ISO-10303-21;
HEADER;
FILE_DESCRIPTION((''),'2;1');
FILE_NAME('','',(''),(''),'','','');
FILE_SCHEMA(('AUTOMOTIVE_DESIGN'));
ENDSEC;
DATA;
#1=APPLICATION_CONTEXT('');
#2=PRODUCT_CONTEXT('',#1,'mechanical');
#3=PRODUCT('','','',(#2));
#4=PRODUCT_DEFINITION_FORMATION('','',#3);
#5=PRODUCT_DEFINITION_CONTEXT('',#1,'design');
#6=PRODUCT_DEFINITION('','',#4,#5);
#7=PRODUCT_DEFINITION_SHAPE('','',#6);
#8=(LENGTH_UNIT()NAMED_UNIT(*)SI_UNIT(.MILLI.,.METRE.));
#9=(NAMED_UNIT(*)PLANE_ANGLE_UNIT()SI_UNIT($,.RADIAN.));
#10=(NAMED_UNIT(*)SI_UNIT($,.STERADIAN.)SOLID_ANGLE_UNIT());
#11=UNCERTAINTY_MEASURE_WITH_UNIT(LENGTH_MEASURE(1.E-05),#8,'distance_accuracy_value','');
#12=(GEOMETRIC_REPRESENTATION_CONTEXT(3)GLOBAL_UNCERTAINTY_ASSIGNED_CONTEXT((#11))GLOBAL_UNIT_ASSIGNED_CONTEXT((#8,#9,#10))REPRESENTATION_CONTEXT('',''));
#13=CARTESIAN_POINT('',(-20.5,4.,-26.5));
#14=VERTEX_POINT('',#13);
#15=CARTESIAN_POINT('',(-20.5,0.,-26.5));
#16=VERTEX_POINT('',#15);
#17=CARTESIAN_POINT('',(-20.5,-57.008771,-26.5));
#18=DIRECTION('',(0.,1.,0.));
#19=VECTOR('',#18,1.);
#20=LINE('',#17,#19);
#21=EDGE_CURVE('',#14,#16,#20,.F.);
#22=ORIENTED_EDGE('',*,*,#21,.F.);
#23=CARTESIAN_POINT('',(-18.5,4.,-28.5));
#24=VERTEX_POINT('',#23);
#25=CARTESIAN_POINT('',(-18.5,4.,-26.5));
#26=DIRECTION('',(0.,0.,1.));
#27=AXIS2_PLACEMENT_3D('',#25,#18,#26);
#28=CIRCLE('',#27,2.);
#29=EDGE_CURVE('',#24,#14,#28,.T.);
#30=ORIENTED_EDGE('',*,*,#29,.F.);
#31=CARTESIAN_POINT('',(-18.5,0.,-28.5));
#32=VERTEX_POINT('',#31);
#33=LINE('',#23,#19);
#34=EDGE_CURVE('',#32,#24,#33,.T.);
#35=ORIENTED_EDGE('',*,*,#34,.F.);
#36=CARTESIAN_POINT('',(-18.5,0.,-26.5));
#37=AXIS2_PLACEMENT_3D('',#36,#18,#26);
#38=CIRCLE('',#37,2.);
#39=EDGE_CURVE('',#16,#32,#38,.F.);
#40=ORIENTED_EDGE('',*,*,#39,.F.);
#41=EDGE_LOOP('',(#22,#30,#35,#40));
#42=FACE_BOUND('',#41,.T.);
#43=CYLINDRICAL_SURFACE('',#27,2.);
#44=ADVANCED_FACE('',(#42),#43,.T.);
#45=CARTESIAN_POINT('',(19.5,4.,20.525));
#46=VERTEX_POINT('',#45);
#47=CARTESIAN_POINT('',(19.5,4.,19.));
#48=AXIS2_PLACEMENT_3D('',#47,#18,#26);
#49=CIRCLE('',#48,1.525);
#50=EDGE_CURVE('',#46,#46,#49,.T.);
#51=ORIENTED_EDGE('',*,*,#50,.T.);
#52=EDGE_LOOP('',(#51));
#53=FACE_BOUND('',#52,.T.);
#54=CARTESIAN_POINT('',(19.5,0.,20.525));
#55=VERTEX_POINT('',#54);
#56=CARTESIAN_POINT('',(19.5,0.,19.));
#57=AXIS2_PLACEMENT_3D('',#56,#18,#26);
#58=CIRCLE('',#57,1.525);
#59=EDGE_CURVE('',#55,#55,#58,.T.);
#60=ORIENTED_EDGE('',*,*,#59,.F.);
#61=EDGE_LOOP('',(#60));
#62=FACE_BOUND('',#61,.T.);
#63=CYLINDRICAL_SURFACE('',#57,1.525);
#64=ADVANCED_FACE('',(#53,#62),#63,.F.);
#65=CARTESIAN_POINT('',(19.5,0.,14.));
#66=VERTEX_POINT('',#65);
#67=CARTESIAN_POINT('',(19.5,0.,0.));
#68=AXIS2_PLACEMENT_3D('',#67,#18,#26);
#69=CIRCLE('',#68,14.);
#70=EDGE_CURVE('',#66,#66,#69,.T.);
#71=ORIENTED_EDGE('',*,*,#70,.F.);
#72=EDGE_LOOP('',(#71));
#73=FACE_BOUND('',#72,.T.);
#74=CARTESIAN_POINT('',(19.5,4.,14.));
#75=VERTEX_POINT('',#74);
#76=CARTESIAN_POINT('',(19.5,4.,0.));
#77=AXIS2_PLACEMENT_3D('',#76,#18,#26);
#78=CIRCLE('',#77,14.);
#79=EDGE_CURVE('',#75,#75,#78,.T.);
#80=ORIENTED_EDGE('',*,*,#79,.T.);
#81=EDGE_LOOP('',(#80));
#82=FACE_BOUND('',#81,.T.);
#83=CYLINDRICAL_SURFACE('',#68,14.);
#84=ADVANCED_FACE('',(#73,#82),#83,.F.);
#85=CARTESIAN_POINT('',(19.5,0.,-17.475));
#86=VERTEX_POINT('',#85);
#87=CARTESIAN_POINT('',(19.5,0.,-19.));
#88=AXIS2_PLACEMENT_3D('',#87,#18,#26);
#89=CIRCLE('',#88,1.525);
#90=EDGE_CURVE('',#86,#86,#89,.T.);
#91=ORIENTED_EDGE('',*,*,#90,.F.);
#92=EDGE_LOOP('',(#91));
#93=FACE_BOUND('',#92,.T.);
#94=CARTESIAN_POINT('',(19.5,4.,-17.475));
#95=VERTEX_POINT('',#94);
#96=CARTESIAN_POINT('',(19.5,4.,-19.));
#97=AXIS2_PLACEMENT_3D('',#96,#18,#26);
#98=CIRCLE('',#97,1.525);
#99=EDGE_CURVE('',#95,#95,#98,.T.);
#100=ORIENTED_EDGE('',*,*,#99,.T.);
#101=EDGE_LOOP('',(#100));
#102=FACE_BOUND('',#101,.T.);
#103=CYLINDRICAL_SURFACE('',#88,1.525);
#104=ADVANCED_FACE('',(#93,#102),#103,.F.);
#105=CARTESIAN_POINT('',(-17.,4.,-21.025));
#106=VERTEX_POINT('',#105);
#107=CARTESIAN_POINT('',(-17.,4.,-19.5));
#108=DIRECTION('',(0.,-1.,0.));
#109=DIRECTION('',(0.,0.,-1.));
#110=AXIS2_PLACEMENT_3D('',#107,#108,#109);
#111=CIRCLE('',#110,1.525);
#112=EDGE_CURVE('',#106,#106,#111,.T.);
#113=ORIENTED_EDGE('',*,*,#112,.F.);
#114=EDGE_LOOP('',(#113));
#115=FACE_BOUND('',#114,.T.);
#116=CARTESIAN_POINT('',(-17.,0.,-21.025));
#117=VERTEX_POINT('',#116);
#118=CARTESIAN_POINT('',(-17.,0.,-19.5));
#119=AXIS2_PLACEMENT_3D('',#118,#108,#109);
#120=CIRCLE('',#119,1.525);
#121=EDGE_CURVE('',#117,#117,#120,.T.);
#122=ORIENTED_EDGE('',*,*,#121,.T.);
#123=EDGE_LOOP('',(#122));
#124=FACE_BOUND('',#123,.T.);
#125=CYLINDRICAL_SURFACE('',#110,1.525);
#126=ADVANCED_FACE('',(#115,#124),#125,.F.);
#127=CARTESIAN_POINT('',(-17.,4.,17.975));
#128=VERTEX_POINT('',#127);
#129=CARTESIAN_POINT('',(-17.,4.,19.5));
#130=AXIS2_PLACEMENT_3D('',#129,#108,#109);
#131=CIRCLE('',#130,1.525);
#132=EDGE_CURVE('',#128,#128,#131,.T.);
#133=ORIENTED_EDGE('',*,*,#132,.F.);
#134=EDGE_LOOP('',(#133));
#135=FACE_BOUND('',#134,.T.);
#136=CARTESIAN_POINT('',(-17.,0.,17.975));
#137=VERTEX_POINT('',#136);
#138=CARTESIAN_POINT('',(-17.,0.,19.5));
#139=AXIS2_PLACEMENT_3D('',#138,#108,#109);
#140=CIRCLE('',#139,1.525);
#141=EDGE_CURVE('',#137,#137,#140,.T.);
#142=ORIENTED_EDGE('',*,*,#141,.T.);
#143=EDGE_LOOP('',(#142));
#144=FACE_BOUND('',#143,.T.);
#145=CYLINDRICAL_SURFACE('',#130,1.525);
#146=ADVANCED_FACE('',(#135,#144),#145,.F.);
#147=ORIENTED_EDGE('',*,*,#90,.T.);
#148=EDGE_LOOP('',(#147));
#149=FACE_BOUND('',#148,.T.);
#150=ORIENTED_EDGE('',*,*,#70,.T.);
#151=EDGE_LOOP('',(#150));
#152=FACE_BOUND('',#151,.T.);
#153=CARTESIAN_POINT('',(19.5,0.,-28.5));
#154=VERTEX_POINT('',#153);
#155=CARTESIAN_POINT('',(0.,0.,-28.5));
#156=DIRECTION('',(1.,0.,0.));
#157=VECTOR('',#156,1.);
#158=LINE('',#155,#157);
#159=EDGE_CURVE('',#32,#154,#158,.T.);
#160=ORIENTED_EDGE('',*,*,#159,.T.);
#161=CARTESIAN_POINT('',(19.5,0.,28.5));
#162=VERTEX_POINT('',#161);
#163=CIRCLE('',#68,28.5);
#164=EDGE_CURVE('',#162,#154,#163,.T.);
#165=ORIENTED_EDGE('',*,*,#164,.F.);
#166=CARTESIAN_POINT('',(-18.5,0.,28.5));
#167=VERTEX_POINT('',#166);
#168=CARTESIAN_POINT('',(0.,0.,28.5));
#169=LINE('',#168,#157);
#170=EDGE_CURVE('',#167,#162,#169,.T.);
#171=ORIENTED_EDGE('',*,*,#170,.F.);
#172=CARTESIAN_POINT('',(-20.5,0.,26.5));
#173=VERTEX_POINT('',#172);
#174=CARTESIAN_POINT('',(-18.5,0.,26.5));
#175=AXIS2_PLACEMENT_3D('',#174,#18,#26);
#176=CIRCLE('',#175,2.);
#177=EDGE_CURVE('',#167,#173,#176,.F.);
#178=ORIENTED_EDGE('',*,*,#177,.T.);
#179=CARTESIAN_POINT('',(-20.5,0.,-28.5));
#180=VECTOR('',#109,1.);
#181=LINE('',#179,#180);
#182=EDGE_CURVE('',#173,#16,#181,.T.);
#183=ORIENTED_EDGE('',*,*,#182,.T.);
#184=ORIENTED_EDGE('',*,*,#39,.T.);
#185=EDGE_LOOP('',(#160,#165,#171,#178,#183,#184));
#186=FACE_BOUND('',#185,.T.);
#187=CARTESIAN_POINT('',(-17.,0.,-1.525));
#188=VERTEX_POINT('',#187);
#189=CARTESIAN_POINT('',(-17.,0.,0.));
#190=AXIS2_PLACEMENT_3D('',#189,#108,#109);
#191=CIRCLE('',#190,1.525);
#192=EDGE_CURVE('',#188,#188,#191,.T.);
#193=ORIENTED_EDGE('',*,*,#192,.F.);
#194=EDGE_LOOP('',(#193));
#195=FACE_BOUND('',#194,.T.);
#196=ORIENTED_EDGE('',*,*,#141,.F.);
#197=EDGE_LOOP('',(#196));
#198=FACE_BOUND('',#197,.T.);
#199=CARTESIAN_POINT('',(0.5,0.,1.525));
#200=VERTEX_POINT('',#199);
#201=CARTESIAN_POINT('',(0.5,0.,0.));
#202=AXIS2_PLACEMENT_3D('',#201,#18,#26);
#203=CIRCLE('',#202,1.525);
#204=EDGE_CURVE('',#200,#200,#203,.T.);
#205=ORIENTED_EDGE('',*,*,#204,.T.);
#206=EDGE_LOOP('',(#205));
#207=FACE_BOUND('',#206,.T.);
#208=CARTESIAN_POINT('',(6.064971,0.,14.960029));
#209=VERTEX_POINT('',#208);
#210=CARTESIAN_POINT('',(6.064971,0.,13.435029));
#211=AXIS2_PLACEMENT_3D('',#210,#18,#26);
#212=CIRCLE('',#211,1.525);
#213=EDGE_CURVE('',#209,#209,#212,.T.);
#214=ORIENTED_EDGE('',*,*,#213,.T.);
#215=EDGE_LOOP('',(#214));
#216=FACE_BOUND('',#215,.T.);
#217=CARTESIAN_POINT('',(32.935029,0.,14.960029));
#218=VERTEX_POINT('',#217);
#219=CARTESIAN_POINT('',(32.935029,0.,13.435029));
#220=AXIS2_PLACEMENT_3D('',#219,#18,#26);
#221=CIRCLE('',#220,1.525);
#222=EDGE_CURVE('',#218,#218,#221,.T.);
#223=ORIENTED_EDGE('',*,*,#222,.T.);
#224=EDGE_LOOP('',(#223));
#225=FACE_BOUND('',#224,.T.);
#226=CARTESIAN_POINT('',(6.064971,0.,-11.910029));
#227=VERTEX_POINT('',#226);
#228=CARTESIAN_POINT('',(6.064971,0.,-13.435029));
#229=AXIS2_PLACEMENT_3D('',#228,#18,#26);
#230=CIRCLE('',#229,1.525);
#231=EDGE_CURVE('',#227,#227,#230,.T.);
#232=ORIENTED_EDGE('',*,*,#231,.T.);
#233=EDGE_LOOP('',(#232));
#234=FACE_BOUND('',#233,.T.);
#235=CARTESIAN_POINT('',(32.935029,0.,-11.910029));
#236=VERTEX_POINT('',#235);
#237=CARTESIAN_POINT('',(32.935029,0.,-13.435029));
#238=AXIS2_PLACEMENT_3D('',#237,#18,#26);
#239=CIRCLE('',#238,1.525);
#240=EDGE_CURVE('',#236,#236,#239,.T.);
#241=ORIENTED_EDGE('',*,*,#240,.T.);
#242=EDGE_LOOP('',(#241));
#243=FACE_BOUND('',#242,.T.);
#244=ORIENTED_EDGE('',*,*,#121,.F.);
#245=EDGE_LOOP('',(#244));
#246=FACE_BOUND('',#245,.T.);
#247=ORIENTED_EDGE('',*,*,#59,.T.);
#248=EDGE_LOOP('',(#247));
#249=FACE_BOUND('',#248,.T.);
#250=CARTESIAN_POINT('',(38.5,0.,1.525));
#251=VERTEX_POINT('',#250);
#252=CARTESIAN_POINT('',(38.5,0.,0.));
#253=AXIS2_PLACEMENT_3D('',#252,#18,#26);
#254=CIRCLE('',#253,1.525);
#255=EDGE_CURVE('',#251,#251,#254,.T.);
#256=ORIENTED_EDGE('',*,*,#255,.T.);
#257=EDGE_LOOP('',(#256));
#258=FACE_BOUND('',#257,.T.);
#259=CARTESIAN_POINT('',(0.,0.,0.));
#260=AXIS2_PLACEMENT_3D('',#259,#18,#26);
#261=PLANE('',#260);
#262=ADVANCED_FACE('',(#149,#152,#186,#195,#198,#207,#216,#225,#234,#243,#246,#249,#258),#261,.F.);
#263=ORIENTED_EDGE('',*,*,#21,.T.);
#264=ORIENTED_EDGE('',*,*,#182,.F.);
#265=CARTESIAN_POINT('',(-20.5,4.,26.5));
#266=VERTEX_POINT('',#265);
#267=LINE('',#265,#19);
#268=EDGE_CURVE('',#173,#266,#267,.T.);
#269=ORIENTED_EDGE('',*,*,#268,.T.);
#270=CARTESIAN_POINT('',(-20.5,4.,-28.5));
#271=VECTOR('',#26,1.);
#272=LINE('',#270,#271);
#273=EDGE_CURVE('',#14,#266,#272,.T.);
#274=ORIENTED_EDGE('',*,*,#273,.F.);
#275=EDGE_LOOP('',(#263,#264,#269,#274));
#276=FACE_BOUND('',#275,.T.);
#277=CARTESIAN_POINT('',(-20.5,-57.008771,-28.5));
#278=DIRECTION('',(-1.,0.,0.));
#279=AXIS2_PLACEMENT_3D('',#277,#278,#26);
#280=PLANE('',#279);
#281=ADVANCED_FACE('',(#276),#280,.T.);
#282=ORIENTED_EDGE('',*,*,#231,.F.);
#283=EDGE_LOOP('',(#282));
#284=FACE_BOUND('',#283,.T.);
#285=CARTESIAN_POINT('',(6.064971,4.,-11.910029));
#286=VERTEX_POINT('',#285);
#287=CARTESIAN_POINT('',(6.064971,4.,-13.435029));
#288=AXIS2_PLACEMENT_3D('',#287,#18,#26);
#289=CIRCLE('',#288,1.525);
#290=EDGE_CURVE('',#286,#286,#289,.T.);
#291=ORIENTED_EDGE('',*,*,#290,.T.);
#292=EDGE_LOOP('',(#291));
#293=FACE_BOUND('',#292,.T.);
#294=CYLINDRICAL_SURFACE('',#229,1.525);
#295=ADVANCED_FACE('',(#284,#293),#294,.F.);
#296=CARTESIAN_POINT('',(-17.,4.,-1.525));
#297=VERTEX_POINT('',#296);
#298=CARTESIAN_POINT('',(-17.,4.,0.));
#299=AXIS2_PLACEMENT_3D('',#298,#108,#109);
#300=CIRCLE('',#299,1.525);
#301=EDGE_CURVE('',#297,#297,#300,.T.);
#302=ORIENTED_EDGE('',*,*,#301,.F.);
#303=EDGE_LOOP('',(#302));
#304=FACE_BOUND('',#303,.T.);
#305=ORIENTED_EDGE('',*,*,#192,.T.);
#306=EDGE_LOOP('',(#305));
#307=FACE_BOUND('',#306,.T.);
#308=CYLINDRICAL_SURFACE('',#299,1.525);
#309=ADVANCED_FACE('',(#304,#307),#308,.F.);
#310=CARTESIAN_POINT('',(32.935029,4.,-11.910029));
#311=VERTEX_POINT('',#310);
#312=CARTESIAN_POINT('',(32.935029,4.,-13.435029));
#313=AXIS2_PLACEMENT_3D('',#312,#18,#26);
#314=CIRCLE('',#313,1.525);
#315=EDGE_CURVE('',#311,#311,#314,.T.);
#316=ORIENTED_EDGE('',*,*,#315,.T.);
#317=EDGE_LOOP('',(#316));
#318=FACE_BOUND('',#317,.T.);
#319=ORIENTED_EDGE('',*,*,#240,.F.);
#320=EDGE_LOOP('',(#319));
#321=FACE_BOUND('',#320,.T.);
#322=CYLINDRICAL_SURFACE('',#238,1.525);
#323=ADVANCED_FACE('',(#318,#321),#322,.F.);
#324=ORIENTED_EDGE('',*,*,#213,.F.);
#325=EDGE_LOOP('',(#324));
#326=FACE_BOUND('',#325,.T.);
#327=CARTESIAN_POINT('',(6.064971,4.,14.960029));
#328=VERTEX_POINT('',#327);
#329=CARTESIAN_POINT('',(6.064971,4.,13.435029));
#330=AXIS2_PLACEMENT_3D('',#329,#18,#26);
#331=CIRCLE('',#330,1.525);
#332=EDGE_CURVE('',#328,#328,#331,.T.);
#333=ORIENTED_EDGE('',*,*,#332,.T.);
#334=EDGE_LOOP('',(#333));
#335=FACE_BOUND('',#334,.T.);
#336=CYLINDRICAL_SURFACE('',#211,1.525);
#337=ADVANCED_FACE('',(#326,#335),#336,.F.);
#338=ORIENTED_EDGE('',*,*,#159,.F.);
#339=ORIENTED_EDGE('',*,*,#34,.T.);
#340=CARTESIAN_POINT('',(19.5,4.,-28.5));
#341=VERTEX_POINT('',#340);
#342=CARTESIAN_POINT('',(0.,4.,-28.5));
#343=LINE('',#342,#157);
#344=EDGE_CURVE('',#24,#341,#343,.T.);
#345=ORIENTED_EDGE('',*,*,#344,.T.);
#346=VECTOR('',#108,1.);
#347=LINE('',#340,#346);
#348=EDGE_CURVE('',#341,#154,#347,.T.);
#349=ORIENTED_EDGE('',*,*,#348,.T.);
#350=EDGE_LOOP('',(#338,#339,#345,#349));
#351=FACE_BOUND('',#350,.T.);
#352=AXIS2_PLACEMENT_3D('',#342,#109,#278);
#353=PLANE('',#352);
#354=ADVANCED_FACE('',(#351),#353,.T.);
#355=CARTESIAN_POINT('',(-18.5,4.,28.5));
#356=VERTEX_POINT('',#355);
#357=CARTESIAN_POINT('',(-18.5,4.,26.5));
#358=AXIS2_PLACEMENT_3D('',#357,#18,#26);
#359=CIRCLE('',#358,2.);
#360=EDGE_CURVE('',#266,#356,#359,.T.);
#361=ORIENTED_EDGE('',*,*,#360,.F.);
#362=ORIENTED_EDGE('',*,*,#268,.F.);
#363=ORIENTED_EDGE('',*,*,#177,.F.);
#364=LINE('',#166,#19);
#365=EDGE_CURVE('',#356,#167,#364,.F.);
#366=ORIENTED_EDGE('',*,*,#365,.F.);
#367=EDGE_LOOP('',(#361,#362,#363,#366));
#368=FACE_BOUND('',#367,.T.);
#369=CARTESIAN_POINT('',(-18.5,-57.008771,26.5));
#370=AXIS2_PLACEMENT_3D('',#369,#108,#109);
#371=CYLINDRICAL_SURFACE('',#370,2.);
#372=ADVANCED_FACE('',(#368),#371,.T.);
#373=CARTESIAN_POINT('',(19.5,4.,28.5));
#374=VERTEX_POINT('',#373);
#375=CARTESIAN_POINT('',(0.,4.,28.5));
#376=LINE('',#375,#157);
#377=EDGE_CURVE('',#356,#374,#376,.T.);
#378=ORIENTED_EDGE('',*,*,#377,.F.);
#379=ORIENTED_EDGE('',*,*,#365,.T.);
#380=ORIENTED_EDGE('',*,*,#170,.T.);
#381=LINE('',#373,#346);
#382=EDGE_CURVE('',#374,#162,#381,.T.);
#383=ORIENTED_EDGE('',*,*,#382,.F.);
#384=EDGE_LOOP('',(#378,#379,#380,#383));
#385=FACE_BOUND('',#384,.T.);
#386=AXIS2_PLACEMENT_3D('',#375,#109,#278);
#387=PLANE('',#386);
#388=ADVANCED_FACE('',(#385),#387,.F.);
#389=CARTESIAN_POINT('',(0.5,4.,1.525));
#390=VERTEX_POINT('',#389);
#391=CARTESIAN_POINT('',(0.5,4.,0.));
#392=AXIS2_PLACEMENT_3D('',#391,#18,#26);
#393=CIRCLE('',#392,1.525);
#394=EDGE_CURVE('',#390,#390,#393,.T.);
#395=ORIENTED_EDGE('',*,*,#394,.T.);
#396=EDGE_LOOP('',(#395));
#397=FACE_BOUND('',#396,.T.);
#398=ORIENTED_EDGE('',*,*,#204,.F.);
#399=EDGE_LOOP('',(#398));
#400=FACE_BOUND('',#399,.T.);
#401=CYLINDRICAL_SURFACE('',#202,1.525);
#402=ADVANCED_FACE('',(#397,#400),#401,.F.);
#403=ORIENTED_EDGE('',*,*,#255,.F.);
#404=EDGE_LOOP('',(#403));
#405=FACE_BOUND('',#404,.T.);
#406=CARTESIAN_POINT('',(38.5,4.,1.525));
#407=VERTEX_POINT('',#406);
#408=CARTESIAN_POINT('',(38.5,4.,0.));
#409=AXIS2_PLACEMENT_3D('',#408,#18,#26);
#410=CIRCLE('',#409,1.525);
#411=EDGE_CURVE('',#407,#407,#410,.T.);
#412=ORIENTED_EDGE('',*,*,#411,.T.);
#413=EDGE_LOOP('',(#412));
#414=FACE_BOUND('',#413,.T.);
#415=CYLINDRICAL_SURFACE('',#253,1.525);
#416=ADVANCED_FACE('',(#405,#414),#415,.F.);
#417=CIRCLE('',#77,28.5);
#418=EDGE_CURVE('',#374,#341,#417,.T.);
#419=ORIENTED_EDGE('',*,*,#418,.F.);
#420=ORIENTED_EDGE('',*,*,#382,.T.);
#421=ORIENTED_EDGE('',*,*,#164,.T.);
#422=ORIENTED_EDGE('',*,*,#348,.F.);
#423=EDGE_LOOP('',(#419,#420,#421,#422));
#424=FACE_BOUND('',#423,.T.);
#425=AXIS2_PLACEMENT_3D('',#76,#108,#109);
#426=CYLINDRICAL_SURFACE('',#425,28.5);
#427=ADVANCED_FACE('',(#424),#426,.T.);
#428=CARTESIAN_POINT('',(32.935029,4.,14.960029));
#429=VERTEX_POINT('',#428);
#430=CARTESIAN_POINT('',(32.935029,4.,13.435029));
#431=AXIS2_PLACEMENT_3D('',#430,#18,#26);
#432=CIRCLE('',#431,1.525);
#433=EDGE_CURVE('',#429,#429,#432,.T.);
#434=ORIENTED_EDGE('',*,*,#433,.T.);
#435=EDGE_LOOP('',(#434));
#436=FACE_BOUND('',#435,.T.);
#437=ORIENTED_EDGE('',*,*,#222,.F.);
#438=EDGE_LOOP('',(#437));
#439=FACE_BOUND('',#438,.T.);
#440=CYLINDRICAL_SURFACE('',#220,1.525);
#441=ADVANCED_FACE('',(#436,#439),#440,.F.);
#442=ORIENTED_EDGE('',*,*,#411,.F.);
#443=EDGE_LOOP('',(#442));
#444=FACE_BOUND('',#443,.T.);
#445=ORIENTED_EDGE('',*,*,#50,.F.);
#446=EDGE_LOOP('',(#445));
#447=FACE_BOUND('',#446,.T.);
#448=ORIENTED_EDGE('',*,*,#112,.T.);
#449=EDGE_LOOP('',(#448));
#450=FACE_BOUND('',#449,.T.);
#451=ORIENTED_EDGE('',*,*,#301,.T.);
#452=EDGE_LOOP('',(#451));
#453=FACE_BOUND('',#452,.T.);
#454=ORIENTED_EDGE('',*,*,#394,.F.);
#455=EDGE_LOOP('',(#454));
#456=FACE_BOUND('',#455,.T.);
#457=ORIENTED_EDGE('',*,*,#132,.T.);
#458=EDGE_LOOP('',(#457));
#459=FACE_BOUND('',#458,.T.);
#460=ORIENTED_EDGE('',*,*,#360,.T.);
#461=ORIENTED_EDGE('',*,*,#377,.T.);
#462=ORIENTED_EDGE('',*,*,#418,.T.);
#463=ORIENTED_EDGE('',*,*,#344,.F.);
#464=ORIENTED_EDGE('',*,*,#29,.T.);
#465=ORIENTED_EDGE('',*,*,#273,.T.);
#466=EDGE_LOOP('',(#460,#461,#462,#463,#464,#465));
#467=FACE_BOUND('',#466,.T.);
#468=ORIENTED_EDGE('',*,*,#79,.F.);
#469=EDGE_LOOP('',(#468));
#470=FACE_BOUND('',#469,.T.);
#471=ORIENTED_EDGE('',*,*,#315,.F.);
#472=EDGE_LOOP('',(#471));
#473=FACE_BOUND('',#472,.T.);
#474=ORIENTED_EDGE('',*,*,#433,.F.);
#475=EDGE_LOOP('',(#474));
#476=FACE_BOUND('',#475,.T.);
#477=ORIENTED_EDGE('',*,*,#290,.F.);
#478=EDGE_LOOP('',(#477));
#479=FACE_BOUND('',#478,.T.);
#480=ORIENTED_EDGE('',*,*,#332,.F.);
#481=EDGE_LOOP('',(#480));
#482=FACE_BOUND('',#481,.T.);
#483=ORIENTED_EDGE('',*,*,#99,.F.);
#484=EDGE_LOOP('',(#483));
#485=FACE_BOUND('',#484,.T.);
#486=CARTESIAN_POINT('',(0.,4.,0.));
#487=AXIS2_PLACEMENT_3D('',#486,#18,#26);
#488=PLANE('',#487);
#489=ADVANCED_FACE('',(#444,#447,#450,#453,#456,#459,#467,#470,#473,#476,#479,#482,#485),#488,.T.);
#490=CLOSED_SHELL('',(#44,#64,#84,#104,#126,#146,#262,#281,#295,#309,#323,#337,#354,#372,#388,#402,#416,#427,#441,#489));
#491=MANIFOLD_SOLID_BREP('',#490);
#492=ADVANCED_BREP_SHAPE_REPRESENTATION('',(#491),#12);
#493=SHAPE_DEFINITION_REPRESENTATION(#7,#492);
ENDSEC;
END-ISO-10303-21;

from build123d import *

# Parameters (mm, degrees)
EXTRUDE_1_DEPTH     = 4
SKETCH_3_R          = 1.525
CUT_EXTRUDE_1_DEPTH = 5
SKETCH_4_R          = 14
CUT_EXTRUDE_2_DEPTH = 5
SKETCH_7_R          = 1.525
CUT_EXTRUDE_4_DEPTH = 5
SKETCH_8_W          = 1
SKETCH_8_H          = 57
EXTRUDE_2_DEPTH     = 4
FILLET_1_R          = 2


with BuildPart() as part:
    # 草图1 → 凸台-拉伸1 (new body)
    with BuildSketch(Plane(origin=(0, 0, 0), x_dir=(1, 0, 0), z_dir=(0, 1, 0))):
        with BuildLine():
            ThreePointArc((19.5, 28.5), (-9, 0), (19.5, -28.5))
            Line((19.5, -28.5), (19.5, 28.5))
        make_face()
        with BuildLine():
            Line((19.5, 28.5), (19.5, -28.5))
            ThreePointArc((19.5, -28.5), (39.652543264, -20.152543264), (48, 0))
            ThreePointArc((48, 0), (39.652543264, 20.152543264), (19.5, 28.5))
        make_face()
        with BuildLine():
            Line((-19.5, 28.5), (-19.5, -28.5))
            Line((-19.5, -28.5), (19.5, -28.5))
            ThreePointArc((19.5, -28.5), (-9, 0), (19.5, 28.5))
            Line((19.5, 28.5), (-19.5, 28.5))
        make_face()
    extrude(amount=EXTRUDE_1_DEPTH)

    # 草图3 → 切除-拉伸1 (cut, through all)
    with BuildSketch(Plane(origin=(0, 4, 0), x_dir=(1, 0, 0), z_dir=(0, 1, 0))):
        with Locations((32.935028843, 13.435028843)):
            Circle(SKETCH_3_R)
        with Locations((32.935028843, -13.435028843)):
            Circle(SKETCH_3_R)
        with Locations((6.064971157, -13.435028843)):
            Circle(SKETCH_3_R)
        with Locations((6.064971157, 13.435028843)):
            Circle(SKETCH_3_R)
        with Locations((38.5, 0)):
            Circle(SKETCH_3_R)
        with Locations((19.5, -19)):
            Circle(SKETCH_3_R)
        with Locations((0.5, 0)):
            Circle(SKETCH_3_R)
        with Locations((19.5, 19)):
            Circle(SKETCH_3_R)
    extrude(amount=-CUT_EXTRUDE_1_DEPTH, mode=Mode.SUBTRACT)

    # 草图4 → 切除-拉伸2 (cut, through all)
    with BuildSketch(Plane(origin=(0, 4, 0), x_dir=(1, 0, 0), z_dir=(0, 1, 0))):
        with Locations((19.5, 0)):
            Circle(SKETCH_4_R)
    extrude(amount=-CUT_EXTRUDE_2_DEPTH, mode=Mode.SUBTRACT)

    # 草图7 → 切除-拉伸4 (cut, through all)
    with BuildSketch(Plane.XZ):
        with Locations((-17, 0)):
            Circle(SKETCH_7_R)
        with Locations((-17, 19.5)):
            Circle(SKETCH_7_R)
        with Locations((-17, -19.5)):
            Circle(SKETCH_7_R)
    extrude(amount=-CUT_EXTRUDE_4_DEPTH, mode=Mode.SUBTRACT)

    # 草图8 → 凸台-拉伸2 (add)
    with BuildSketch(Plane(origin=(0, 4, 0), x_dir=(1, 0, 0), z_dir=(0, 1, 0))):
        with Locations((-20, 0)):
            Rectangle(SKETCH_8_W, SKETCH_8_H)
    extrude(amount=-EXTRUDE_2_DEPTH)

    # 圆角1
    fillet_1_edges = [part.edges().sort_by_distance(p)[0] for p in [
        (-20.5, 2, 28.5),
        (-20.5, 2, -28.5),
    ]]
    fillet(fillet_1_edges, radius=FILLET_1_R)


solid = part.part
